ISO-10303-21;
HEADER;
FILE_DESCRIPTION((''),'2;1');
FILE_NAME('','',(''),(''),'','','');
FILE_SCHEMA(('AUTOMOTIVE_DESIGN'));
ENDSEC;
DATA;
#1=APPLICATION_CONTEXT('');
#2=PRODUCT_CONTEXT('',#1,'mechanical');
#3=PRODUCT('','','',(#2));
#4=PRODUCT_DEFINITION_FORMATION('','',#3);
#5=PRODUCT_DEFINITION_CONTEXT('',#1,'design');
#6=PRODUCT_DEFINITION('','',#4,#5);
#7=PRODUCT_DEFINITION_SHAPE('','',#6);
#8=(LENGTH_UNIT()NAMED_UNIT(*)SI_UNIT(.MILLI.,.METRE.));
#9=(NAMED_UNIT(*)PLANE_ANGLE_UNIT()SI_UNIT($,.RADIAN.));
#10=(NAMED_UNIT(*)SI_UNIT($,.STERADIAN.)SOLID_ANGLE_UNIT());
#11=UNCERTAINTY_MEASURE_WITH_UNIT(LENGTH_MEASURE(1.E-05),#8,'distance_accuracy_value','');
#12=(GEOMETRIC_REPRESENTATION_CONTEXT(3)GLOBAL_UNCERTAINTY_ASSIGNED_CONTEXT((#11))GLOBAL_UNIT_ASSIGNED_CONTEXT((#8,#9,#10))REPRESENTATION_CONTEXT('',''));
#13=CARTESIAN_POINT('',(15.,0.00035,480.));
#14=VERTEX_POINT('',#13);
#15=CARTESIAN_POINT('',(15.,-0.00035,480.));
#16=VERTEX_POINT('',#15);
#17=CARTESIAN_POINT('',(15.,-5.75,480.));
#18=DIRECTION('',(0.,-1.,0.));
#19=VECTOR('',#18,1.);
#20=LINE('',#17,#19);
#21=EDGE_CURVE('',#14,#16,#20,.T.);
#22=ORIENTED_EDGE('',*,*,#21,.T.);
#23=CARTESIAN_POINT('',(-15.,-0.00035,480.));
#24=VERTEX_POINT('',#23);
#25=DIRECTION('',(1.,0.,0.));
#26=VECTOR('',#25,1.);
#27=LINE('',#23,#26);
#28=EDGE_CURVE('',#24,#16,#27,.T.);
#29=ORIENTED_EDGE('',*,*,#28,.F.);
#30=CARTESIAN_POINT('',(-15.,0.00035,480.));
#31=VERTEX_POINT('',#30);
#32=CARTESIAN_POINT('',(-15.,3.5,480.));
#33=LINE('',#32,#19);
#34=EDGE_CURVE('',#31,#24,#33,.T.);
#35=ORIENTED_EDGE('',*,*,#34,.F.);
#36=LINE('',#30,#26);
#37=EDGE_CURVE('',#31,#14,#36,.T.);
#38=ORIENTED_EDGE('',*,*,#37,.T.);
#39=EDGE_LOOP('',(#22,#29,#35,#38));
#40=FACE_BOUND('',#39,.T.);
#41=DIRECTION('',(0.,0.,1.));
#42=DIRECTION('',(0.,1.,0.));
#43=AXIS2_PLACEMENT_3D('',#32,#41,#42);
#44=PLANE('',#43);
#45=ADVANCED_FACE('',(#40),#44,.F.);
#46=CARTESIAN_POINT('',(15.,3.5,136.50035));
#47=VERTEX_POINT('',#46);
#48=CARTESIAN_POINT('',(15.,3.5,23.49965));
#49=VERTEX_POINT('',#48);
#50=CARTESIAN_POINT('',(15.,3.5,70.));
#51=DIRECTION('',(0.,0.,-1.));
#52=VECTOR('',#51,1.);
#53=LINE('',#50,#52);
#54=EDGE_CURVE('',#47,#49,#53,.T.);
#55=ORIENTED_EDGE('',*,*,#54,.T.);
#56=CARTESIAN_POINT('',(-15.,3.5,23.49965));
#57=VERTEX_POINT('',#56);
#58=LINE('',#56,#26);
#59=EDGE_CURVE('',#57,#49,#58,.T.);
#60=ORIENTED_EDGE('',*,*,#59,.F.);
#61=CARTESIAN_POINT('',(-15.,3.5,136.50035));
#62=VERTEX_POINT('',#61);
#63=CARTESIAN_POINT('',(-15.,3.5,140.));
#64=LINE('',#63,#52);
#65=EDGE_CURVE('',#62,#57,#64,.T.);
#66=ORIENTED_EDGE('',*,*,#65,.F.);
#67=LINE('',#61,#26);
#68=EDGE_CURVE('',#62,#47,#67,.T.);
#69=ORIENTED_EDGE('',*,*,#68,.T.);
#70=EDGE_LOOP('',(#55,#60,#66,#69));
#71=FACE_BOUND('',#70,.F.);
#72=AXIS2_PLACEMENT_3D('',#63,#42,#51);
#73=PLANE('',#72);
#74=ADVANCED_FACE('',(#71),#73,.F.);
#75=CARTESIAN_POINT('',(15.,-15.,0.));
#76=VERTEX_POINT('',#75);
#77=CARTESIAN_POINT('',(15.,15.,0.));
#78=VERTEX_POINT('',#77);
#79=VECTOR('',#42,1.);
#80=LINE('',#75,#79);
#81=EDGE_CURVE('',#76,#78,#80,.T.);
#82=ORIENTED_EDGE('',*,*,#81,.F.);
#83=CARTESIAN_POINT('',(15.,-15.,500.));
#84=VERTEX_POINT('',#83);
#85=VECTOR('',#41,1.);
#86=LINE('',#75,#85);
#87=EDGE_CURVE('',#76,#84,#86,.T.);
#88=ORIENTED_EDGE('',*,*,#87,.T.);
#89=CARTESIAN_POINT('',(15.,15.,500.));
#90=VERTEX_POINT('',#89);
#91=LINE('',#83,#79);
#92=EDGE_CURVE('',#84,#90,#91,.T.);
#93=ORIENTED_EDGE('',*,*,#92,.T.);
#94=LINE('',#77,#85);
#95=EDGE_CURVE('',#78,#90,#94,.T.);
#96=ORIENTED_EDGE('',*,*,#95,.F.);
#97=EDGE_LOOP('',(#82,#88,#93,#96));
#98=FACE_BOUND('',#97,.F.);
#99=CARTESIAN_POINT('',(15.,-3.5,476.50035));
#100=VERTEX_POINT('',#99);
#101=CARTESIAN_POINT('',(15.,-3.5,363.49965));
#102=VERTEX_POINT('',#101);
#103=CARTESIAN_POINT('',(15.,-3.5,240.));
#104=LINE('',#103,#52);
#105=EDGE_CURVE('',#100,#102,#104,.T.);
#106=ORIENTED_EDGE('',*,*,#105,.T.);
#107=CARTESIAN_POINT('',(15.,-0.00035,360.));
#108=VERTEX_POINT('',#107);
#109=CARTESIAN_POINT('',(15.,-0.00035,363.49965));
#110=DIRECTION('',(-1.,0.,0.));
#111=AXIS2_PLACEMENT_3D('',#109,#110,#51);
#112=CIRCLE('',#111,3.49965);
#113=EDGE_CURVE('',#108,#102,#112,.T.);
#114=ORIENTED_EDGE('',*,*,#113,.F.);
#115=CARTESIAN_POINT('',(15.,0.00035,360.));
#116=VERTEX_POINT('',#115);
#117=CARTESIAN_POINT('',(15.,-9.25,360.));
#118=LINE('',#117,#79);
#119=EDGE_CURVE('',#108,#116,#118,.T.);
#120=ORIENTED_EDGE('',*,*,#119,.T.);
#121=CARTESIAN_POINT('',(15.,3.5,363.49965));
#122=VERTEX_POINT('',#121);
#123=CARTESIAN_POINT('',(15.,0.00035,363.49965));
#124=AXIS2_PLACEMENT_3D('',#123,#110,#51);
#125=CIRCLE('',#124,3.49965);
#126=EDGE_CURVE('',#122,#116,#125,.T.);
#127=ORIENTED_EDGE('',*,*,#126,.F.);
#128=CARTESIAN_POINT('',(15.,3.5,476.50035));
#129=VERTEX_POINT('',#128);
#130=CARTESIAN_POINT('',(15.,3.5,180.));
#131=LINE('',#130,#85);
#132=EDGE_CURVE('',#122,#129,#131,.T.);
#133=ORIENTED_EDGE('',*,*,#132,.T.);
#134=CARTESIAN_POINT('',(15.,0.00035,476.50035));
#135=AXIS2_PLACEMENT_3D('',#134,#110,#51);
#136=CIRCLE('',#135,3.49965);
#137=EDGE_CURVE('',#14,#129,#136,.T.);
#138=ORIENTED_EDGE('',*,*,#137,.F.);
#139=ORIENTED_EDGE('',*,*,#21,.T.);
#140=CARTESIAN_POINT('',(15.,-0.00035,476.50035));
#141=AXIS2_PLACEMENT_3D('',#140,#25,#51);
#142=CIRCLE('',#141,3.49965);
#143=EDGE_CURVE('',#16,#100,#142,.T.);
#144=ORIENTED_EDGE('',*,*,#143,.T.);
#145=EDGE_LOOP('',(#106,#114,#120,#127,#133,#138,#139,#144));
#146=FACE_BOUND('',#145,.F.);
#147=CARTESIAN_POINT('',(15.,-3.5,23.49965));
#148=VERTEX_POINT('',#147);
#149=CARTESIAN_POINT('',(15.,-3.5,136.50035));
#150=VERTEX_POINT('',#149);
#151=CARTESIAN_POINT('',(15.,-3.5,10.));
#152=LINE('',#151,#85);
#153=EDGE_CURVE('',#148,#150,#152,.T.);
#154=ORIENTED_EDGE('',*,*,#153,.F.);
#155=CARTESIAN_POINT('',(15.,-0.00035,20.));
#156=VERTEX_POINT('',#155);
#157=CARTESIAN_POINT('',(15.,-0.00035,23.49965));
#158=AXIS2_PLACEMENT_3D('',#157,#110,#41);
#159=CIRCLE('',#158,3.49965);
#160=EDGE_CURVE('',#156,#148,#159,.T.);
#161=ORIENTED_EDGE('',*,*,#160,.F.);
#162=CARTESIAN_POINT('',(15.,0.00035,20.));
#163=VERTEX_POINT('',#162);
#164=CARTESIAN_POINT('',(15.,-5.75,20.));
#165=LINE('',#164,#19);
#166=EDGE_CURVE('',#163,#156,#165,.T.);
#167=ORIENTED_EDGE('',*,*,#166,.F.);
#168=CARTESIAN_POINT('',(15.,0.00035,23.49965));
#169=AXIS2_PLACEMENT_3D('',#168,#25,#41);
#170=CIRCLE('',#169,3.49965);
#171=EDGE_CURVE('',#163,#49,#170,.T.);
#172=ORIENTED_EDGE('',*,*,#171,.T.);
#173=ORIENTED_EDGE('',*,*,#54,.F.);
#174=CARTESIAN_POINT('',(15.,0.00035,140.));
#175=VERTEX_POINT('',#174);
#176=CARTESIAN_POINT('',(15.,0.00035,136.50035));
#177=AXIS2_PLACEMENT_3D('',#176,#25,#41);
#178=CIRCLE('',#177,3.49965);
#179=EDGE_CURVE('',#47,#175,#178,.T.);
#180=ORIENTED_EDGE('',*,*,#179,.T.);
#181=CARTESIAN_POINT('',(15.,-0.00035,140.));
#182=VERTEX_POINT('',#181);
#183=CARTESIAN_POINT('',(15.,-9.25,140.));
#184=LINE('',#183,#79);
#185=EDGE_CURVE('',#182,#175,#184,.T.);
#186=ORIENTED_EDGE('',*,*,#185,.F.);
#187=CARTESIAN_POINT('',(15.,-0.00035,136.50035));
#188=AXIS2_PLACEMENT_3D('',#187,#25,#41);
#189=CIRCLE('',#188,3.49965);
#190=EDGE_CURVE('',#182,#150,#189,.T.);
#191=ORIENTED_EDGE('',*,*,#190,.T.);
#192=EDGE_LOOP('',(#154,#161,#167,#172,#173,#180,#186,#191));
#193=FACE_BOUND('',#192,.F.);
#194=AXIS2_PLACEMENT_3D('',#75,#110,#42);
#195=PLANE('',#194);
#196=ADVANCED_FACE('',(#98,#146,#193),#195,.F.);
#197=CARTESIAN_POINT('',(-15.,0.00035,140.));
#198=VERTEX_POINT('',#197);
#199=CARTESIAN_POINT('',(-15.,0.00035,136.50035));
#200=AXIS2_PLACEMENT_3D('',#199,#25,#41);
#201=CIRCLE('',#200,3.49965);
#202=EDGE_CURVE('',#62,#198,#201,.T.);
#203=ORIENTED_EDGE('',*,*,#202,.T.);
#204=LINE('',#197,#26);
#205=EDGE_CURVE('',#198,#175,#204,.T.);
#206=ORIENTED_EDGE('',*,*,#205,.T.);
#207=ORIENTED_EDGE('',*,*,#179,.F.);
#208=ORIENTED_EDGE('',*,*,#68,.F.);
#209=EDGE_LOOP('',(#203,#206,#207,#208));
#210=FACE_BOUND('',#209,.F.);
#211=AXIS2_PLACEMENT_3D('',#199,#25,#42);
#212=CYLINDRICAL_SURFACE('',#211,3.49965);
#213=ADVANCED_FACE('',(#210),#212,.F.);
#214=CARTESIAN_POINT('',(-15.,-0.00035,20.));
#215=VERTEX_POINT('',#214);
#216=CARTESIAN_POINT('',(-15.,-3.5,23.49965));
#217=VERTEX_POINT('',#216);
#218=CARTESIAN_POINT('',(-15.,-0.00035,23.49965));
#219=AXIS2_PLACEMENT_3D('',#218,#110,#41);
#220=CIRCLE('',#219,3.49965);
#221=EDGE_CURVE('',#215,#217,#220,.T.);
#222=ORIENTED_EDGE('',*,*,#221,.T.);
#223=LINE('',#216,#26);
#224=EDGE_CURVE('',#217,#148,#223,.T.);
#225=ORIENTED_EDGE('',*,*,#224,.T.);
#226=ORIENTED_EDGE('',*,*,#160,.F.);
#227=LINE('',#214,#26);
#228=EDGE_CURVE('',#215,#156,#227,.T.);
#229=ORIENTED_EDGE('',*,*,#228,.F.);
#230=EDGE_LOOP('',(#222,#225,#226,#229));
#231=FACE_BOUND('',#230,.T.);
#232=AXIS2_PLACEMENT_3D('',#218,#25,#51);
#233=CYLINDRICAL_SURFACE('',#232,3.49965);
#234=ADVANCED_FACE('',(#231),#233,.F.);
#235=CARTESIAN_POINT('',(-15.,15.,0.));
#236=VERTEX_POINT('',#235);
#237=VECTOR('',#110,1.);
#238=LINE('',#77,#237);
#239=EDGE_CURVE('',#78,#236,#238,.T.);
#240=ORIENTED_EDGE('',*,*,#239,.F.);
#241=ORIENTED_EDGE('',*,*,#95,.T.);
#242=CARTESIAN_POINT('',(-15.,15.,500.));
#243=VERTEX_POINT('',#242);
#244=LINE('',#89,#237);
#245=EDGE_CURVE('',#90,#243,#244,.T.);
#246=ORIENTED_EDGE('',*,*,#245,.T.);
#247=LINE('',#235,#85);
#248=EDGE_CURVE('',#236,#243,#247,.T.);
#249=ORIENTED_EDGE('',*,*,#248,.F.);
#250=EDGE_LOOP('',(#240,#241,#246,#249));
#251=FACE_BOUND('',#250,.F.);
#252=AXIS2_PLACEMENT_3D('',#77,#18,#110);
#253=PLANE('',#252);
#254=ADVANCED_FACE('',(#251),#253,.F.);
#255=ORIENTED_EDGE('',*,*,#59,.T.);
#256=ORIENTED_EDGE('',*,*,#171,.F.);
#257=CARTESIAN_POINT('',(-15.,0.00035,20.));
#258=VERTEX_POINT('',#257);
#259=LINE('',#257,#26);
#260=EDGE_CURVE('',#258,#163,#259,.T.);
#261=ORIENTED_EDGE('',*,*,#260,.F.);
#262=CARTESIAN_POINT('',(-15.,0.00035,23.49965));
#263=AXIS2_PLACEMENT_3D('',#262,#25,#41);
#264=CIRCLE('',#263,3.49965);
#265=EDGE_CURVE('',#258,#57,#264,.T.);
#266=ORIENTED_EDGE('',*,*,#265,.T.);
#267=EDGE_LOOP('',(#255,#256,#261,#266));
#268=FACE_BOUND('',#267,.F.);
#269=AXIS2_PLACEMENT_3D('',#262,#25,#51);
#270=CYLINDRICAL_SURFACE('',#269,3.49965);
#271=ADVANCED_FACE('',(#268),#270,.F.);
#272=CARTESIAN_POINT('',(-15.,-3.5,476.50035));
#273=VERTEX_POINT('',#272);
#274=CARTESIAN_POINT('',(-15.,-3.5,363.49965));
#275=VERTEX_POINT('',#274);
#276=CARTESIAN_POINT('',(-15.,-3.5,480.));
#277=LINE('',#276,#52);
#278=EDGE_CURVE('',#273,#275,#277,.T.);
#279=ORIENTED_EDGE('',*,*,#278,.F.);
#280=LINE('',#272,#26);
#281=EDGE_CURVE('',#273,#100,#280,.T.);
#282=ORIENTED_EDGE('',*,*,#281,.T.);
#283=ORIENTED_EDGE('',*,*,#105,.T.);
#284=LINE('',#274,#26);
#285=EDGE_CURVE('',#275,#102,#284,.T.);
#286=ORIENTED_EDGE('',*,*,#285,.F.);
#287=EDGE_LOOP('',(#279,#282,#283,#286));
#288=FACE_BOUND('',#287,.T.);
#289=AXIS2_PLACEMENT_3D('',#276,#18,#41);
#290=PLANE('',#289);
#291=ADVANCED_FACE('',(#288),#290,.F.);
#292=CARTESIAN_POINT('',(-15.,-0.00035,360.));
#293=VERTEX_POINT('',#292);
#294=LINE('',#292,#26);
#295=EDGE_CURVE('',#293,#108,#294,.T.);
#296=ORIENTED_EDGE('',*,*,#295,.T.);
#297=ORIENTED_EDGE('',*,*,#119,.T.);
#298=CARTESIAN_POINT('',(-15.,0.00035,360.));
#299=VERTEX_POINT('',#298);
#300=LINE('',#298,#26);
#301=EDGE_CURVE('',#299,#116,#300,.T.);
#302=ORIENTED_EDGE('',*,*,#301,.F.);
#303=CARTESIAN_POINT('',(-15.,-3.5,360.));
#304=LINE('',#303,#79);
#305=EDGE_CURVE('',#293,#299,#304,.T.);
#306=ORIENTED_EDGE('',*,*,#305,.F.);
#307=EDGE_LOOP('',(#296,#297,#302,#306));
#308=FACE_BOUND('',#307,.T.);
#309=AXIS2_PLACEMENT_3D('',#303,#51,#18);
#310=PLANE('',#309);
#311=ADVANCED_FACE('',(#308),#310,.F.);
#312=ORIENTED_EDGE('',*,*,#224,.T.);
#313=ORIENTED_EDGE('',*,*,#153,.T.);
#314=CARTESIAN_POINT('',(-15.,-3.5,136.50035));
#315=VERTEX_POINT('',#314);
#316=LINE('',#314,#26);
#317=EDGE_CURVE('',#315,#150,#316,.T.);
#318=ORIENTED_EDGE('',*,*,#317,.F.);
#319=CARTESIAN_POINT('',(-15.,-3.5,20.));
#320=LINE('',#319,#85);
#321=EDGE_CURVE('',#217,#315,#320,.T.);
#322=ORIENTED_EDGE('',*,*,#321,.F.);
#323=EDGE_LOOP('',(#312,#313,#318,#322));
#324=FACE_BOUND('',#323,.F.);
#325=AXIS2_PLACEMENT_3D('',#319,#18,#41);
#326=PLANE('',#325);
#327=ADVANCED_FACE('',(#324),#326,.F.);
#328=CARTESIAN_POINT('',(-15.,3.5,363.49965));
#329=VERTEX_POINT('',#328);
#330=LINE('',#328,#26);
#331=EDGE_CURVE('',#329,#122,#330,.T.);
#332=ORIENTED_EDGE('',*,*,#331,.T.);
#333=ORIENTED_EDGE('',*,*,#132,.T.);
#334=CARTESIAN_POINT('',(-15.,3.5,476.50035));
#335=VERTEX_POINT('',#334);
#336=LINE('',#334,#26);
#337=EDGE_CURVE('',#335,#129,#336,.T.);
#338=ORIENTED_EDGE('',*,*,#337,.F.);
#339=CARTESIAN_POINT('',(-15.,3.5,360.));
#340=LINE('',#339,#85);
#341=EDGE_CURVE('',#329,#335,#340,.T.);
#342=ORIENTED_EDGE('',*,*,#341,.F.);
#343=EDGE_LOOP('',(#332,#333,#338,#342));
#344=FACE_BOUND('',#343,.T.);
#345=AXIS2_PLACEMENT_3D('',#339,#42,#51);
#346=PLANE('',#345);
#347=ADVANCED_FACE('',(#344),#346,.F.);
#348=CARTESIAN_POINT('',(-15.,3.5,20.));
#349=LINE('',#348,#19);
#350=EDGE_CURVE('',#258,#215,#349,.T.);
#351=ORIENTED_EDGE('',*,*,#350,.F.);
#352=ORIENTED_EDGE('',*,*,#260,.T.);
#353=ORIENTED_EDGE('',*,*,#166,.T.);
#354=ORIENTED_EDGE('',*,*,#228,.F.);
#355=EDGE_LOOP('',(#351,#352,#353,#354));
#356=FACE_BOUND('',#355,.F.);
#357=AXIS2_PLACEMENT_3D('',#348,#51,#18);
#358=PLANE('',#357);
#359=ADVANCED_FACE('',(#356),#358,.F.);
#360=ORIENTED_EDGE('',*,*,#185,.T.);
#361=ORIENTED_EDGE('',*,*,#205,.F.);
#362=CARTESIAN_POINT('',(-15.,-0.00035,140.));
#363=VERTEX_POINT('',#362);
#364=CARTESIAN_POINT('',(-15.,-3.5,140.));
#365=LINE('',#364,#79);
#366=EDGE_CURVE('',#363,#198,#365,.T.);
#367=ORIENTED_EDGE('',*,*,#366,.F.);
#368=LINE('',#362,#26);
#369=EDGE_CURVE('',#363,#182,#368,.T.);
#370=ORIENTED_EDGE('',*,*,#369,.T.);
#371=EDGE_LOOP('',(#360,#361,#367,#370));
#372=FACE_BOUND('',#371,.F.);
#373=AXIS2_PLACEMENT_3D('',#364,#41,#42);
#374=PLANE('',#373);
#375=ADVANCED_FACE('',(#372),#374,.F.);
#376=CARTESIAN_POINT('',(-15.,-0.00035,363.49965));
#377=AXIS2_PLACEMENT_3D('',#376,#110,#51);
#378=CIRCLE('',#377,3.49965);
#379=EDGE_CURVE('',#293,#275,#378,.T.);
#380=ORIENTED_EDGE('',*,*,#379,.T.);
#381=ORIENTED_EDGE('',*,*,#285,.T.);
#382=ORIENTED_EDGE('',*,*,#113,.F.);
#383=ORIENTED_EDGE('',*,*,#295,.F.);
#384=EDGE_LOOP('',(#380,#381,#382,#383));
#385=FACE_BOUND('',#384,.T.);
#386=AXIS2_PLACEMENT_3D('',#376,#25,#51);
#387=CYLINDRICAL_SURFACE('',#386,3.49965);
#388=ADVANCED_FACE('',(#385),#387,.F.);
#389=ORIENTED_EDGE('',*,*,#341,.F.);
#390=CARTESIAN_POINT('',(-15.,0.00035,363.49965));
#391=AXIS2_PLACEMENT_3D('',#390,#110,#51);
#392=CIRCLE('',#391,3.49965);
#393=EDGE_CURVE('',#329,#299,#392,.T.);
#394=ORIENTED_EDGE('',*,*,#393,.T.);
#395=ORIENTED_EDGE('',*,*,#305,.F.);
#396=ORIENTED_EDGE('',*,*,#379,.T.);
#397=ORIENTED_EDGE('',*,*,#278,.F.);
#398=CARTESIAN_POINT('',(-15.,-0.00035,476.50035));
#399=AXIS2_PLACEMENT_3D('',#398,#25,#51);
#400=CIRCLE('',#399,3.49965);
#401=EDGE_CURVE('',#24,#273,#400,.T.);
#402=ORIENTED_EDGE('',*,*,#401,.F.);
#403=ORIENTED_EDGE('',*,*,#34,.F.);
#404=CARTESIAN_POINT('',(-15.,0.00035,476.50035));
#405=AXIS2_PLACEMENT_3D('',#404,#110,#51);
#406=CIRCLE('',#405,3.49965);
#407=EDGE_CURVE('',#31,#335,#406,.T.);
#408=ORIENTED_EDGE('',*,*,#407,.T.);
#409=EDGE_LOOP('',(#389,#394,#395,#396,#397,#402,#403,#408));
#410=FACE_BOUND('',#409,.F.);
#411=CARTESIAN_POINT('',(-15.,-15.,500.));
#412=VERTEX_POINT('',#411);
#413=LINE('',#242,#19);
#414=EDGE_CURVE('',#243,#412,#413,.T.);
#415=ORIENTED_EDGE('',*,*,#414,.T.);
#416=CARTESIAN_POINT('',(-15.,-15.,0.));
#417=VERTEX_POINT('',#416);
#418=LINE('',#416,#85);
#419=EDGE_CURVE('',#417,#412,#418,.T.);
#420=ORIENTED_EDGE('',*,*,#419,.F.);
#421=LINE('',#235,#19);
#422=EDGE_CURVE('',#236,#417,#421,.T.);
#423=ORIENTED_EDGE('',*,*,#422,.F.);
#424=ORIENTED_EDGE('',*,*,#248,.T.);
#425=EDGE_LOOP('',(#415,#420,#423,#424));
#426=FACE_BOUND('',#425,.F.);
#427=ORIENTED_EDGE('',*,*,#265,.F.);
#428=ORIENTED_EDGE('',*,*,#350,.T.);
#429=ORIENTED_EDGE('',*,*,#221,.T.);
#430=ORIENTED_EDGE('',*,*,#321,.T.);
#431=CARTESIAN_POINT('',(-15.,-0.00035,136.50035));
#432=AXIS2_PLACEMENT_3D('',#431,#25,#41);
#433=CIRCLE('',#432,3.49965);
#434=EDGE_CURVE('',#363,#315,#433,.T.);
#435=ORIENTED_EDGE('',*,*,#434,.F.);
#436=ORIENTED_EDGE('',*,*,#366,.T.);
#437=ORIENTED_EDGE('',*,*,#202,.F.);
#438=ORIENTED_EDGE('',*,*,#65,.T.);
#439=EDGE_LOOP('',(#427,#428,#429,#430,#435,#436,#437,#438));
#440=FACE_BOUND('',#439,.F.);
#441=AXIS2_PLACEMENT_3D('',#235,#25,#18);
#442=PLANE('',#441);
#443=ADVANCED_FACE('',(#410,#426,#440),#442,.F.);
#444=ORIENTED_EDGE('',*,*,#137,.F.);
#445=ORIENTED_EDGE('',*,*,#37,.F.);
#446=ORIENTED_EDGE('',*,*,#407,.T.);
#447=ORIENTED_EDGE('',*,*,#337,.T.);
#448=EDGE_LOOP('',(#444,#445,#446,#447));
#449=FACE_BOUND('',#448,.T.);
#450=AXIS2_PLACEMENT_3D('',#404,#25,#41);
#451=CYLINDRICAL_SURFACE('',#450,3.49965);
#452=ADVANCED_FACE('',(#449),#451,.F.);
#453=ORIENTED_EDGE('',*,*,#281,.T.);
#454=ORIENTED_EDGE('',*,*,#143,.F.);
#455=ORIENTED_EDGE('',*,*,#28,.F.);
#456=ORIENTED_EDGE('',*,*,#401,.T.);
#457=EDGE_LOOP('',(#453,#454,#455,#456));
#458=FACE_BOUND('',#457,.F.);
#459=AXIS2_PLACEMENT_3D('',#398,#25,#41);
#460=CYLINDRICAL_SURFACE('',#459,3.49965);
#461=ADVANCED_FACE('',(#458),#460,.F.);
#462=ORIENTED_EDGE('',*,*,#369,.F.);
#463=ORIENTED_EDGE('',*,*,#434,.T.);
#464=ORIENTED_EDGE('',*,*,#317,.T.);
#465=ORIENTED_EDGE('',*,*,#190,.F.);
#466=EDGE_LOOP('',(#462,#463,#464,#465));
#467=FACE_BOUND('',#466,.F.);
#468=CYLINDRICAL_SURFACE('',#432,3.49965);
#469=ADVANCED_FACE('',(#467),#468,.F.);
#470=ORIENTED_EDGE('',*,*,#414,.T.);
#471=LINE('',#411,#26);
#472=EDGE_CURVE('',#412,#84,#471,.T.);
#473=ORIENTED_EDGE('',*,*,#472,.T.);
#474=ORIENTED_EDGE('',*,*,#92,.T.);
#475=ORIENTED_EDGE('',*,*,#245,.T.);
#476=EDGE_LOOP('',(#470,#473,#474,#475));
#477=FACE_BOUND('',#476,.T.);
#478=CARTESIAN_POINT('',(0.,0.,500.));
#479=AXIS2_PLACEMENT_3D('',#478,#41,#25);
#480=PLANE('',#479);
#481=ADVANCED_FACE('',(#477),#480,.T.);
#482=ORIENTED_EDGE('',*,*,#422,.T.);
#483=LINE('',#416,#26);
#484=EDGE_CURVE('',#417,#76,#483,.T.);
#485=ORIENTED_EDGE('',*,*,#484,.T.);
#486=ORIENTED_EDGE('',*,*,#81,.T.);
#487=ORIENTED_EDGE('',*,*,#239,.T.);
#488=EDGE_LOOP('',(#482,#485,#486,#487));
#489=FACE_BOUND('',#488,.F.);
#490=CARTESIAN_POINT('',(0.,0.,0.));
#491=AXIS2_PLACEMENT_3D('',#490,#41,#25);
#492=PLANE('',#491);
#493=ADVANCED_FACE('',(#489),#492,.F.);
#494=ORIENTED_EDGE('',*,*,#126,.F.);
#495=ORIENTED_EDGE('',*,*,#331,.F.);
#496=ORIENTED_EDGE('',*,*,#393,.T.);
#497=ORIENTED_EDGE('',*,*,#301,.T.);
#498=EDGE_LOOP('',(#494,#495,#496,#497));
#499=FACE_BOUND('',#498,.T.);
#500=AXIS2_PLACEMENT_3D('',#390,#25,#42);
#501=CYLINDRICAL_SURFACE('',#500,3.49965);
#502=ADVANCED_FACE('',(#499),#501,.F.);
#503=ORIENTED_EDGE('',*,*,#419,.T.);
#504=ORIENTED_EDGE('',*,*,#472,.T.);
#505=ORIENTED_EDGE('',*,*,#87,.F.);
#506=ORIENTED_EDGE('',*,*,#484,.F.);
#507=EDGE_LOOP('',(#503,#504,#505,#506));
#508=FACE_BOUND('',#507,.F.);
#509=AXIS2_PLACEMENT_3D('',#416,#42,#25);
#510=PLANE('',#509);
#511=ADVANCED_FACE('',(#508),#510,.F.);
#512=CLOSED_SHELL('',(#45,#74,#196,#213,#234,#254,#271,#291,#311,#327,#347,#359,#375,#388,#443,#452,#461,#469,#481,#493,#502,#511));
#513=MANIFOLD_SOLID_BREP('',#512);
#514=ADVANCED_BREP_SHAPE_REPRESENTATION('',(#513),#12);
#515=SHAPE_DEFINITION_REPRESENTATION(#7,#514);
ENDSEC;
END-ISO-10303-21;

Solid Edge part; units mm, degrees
sketch "Sketch1" plane through (0, 0, 0) normal (0, 0, 1) x (1, 0, 0)
  line L0 (-15, -15) -> (15, -15)
  line L1 (15, -15) -> (15, 15)
  line L2 (15, 15) -> (-15, 15)
  line L3 (-15, 15) -> (-15, -15)
extrude "Protrusion1" add sketch "Sketch1" along normal blind 500
sketch "Sketch2" plane through (-15, 0, 250) normal (-1, 0, 0) x (0, 0, -1)
  line L0 (230, 3.5) -> (110, 3.5)
  line L1 (110, 3.5) -> (110, -3.5)
  line L2 (110, -3.5) -> (230, -3.5)
  line L3 (230, -3.5) -> (230, 3.5)
extrude "Extrusionsausschnitt_5" cut sketch "Sketch2" against normal blind 310
fillet "Verrundung_1" radius 3.5 4 edges at (0, 3.5, 140) (0, -3.5, 140) (0, 3.5, 20) (0, -3.5, 20)
mirror "Mirror1" about plane through (0, 0, 250) normal (0, 0, -1) of "Extrusionsausschnitt_5", "Verrundung_1"
